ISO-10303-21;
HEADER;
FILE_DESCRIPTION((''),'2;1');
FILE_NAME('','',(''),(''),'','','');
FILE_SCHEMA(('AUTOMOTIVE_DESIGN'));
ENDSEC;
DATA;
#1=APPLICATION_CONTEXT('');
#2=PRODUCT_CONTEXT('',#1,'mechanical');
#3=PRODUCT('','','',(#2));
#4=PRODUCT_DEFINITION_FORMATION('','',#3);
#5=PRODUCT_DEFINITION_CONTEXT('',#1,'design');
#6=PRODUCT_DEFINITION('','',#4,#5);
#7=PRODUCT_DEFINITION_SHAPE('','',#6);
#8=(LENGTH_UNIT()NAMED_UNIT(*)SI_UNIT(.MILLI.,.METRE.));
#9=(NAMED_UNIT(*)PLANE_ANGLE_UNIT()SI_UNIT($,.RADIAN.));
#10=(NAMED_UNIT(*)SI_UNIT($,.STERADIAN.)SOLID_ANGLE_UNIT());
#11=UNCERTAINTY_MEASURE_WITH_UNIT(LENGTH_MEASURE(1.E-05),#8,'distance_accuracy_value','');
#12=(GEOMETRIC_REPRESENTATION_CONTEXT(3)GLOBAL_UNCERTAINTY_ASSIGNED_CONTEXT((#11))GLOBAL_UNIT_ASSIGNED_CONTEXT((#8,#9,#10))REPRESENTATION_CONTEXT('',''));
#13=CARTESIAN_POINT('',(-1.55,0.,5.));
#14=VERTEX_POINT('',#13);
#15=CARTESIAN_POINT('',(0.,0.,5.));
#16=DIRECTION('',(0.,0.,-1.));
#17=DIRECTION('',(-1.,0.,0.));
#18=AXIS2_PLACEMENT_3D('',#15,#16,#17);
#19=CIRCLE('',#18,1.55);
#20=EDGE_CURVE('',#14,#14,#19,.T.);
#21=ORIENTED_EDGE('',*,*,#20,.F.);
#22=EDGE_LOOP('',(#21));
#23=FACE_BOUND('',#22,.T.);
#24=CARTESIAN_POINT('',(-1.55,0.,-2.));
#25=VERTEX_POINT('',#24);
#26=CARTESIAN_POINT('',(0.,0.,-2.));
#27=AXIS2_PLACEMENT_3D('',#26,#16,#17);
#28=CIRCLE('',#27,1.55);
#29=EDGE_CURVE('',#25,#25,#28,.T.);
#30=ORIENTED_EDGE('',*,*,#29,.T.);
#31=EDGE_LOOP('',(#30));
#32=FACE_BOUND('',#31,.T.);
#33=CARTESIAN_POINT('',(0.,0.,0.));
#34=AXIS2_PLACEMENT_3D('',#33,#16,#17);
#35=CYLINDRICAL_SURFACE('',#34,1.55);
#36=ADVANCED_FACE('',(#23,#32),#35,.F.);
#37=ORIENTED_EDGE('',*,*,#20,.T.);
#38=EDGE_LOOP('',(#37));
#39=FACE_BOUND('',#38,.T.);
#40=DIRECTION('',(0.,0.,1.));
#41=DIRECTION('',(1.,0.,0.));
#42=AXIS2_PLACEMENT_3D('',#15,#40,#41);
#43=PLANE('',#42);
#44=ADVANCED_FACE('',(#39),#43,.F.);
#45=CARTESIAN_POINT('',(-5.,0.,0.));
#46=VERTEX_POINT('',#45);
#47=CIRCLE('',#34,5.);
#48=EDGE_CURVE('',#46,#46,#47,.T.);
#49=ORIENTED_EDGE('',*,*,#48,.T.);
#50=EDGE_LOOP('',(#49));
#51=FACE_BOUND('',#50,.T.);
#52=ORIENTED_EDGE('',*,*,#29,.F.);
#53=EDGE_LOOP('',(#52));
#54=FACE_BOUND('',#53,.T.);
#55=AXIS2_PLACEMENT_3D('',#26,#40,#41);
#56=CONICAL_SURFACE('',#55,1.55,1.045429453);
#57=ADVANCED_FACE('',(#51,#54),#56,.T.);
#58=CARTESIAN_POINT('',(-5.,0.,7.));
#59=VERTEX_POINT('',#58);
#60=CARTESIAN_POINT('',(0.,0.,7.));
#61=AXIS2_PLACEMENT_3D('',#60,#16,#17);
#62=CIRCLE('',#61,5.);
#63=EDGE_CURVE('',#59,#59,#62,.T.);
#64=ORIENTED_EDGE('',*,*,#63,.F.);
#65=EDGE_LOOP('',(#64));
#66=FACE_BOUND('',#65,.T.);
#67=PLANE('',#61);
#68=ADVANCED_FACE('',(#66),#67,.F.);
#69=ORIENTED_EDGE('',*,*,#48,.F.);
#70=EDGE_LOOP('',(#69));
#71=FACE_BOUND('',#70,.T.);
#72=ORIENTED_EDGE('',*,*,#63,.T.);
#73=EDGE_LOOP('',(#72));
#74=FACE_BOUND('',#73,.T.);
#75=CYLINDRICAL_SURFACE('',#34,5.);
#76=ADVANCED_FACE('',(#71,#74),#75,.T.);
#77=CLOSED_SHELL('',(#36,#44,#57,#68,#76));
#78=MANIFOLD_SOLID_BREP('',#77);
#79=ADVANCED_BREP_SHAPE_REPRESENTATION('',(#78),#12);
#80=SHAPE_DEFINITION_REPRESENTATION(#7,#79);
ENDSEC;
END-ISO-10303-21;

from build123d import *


with BuildPart() as part:
    # Sketch1 → Revolve2 (revolve)
    with BuildSketch(Plane(origin=(0, 0, 0), x_dir=(1, 0, 0), z_dir=(0, 1, 0))):
        Polygon((-5, 0), (-1.55, 0), (-1.55, 2), align=None)
        Polygon((-1.55, -5), (-1.55, 0), (-5, 0), (-5, -7), (0, -7), (0, -5), align=None)
    revolve(axis=Axis((0, 0, 0), (0, 0, 1)))


solid = part.part
